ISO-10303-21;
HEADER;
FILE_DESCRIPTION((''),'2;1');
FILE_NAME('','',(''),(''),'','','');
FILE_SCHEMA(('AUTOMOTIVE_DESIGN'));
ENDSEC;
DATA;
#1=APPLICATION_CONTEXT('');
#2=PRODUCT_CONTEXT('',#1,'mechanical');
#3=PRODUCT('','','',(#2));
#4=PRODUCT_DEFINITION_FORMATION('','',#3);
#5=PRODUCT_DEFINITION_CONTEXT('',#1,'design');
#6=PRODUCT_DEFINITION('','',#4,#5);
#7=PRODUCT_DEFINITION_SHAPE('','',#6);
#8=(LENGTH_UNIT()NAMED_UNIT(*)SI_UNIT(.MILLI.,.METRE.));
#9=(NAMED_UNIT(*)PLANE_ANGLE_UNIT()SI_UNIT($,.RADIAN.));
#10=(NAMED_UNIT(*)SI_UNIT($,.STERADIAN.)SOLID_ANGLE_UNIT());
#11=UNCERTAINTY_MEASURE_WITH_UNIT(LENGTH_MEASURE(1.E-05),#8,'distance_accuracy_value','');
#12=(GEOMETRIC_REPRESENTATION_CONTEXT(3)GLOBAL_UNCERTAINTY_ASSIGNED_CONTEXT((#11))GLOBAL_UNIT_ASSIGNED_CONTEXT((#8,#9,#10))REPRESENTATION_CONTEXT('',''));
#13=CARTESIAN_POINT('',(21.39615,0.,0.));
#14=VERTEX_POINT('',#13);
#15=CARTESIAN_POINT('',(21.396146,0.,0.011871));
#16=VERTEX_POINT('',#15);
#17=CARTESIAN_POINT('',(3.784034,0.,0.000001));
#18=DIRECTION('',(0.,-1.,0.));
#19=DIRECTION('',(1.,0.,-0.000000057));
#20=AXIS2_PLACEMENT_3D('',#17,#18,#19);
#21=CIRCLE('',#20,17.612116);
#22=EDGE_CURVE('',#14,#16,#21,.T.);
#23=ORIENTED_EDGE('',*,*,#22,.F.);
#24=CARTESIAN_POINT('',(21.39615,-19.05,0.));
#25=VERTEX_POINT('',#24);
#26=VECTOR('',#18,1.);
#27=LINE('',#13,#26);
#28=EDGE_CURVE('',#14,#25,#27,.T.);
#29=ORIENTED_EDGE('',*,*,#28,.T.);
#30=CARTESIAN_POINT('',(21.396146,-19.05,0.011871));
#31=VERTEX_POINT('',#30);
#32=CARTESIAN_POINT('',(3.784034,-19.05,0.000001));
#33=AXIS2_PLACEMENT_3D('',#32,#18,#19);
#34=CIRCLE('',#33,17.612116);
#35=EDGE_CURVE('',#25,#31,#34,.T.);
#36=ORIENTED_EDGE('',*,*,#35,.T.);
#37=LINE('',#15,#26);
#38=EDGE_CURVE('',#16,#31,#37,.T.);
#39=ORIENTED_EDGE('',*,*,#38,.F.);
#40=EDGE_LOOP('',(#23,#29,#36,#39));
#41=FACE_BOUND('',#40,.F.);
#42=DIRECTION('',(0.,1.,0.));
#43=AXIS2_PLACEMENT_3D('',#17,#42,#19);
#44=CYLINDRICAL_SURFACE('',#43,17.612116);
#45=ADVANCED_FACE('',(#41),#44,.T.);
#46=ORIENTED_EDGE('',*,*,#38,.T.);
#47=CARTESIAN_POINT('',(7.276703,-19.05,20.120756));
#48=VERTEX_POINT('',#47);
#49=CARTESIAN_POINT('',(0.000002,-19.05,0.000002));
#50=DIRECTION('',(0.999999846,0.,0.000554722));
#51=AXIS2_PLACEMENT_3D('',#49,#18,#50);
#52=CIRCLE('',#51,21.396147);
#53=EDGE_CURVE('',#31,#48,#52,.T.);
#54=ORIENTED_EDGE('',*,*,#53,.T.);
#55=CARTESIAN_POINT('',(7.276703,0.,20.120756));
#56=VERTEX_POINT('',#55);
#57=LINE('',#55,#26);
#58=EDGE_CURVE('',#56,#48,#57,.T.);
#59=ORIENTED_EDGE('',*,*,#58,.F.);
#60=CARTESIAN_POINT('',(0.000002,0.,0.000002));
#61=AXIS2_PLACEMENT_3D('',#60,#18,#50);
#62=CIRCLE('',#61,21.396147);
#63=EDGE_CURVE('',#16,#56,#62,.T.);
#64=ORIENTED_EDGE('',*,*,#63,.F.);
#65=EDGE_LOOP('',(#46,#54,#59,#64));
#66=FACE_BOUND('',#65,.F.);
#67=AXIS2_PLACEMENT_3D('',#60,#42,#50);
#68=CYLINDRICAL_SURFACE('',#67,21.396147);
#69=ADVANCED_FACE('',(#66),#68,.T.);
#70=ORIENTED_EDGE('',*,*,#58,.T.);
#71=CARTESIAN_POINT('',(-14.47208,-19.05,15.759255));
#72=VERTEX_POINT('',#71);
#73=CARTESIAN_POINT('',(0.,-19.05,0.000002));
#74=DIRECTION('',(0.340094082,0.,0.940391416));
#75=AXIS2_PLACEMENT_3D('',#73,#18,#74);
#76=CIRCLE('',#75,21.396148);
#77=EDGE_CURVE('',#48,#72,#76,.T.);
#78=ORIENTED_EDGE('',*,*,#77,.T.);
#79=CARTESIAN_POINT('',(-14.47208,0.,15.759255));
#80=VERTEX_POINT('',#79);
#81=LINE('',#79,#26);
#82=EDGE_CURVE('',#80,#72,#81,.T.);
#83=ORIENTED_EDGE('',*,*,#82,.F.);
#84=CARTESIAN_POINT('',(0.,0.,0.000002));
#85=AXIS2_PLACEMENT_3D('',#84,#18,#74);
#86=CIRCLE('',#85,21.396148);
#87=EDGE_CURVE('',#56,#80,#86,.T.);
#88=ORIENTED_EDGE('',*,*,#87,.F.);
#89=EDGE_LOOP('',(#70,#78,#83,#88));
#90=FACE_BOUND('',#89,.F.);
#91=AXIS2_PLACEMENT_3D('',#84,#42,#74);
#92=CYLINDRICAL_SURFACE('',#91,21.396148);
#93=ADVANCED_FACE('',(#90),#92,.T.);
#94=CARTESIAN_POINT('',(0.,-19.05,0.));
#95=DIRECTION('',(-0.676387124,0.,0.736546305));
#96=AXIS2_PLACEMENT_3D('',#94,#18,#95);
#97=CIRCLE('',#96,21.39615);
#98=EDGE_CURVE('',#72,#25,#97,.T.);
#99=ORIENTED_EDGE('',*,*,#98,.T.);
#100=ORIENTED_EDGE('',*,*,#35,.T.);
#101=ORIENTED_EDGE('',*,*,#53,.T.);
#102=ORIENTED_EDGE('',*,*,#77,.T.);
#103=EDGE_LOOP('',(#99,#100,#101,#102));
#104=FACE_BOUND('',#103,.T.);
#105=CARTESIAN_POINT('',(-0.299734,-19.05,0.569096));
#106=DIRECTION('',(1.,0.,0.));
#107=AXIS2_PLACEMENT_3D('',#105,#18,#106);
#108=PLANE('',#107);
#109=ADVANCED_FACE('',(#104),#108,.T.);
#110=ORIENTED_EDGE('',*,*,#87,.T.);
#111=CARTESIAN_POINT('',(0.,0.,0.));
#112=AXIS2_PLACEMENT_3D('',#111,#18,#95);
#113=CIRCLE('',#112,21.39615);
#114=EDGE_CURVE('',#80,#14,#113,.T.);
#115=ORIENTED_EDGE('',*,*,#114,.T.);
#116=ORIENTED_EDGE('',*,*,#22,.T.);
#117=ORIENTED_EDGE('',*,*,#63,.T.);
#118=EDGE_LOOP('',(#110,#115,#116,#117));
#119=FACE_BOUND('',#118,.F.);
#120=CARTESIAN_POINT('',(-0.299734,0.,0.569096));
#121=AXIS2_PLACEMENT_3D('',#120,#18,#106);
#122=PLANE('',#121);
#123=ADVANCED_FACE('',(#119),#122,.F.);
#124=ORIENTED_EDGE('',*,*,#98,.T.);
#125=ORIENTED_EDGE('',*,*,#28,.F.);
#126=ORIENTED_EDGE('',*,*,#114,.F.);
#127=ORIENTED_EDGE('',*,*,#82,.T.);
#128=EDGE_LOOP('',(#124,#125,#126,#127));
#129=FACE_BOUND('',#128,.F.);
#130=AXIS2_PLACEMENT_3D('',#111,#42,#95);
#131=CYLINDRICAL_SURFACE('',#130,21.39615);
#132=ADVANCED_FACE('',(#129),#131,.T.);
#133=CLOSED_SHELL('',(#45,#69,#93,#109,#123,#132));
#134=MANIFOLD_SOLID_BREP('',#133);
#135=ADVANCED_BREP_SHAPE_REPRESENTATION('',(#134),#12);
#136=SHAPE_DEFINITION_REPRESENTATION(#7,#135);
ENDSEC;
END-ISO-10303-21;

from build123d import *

# Parameters (mm, degrees)
F1_DEPTH = 19.05


with BuildPart() as f1:
    # F0 (on Front) → F1 (new body)
    with BuildSketch(Plane.XZ):
        with BuildLine():
            ThreePointArc((21.396146, 0.011871), (7.72965, 5.42737), (7.276703, 20.120756))
            ThreePointArc((7.276703, 20.120756), (-4.207022, 20.97847), (-14.47208, 15.759255))
            ThreePointArc((-14.47208, 15.759255), (-8.606638, -19.588798), (21.39615, 0))
            ThreePointArc((21.39615, 0), (21.396149, 0.005936), (21.396146, 0.011871))
        make_face()
        with BuildLine():
            ThreePointArc((21.396146, 0.011871), (17.510708, 12.295135), (7.276703, 20.120756))
            ThreePointArc((7.276703, 20.120756), (7.72965, 5.42737), (21.396146, 0.011871))
        make_face()
    extrude(amount=F1_DEPTH)


solid = f1.part
